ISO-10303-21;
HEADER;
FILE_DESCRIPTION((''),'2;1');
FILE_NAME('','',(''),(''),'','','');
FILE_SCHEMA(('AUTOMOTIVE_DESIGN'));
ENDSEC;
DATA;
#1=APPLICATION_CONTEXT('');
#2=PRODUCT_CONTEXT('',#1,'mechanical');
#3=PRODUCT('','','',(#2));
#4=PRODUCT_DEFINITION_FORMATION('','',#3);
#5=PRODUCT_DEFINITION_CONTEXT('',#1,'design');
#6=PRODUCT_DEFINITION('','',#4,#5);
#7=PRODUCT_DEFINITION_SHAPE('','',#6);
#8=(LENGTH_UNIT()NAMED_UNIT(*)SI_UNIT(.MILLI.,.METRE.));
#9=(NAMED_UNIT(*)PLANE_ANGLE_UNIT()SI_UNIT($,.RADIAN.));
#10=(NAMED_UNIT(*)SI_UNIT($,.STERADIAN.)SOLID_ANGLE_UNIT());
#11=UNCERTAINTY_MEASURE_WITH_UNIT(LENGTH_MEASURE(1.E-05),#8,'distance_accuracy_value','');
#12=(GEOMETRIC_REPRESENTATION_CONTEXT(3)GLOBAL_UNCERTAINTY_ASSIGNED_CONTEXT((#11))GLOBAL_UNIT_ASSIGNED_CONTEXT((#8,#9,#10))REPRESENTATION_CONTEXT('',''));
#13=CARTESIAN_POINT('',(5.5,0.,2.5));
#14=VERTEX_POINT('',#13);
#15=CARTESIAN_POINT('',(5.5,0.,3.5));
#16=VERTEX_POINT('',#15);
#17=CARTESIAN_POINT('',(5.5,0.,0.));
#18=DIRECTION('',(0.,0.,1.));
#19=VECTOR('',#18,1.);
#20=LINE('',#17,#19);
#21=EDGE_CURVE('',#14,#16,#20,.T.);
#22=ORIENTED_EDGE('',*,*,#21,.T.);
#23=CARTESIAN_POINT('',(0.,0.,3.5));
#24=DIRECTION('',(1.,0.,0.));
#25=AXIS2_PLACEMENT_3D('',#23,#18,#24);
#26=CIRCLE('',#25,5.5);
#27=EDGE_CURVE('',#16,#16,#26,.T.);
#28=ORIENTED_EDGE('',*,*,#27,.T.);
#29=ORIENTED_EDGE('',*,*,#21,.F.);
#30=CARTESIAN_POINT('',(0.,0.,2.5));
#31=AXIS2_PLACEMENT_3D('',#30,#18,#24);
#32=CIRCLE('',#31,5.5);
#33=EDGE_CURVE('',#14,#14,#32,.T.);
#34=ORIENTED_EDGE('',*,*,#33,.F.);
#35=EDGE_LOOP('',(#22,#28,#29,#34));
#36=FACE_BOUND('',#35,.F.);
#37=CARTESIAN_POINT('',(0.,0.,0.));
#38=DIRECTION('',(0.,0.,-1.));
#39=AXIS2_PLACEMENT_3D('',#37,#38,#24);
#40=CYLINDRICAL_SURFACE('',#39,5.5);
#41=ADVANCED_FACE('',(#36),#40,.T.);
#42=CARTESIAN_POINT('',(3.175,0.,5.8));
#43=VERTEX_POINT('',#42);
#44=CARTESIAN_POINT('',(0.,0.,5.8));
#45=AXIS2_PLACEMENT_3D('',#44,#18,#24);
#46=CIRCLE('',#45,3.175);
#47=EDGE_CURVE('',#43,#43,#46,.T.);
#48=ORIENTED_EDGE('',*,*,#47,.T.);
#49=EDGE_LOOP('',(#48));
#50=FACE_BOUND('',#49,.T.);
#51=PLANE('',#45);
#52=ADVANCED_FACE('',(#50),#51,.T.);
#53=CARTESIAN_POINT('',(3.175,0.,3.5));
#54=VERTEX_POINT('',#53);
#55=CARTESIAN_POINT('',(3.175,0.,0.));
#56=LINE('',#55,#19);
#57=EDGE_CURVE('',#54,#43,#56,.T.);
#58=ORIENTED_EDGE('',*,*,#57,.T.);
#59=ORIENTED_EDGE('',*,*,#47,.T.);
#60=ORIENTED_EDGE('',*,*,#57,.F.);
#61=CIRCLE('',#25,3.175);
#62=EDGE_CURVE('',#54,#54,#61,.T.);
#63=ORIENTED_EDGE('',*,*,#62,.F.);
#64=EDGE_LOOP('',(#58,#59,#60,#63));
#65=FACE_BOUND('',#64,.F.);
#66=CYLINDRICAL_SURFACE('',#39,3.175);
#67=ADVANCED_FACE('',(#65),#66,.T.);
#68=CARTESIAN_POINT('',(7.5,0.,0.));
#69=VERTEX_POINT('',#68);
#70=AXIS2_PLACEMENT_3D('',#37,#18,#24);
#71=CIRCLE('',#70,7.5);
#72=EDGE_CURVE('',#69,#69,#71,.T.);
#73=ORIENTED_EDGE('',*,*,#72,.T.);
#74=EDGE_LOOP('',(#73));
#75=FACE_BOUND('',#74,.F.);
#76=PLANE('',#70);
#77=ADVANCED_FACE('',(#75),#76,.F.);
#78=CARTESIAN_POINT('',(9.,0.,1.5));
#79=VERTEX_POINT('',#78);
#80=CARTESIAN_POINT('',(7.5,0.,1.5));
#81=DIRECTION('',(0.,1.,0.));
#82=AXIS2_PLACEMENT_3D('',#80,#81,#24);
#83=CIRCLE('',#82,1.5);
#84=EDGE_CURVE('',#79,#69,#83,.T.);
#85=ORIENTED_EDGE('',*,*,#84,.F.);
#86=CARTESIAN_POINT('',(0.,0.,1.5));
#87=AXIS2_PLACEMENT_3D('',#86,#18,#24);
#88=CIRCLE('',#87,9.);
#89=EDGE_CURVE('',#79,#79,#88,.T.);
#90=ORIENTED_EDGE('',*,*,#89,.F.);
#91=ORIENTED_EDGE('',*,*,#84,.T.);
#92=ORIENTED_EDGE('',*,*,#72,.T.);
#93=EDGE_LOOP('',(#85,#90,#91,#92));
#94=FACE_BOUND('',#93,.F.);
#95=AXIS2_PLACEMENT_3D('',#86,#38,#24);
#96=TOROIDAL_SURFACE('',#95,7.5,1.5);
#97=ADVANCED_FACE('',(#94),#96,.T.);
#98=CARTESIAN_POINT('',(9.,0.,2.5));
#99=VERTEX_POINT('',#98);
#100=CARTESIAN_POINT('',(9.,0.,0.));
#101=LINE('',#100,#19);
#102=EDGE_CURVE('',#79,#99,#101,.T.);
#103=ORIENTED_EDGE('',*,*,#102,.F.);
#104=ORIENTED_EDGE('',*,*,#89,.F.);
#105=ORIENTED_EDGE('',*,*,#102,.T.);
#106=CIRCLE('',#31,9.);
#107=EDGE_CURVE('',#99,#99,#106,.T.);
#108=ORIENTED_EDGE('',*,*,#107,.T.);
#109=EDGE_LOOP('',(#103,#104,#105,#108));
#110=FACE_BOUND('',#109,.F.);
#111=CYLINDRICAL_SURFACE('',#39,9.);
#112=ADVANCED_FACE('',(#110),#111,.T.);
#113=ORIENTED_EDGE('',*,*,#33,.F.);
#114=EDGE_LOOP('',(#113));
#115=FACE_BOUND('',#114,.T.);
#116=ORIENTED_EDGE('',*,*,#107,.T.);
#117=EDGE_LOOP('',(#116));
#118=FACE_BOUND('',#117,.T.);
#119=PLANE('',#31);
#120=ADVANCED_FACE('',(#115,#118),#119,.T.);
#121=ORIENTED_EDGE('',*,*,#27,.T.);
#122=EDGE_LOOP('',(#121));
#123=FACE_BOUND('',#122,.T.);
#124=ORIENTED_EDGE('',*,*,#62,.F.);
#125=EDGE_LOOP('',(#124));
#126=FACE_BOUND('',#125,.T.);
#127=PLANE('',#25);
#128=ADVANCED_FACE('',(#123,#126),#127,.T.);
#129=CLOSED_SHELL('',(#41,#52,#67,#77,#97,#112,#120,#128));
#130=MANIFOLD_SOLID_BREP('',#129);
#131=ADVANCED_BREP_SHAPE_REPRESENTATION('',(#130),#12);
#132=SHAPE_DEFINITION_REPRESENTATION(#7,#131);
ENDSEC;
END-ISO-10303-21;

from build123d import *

# Parameters (mm, degrees)
F0_R     = 9
F0_R_2   = 5.5
F1_DEPTH = 2.5
F0_R_3   = 3.175
F2_DEPTH = 3.5
F3_DEPTH = 5.8
F4_R     = 1.5


with BuildPart() as f1:
    # F0 (on Top) → F1 (new body)
    with BuildSketch(Plane.XY):
        Circle(F0_R)
        Circle(F0_R_2, mode=Mode.SUBTRACT)
    extrude(amount=F1_DEPTH)

    # F0 (on Top) → F2 (join, through all)
    with BuildSketch(Plane.XY):
        Circle(F0_R_2)
        Circle(F0_R_3, mode=Mode.SUBTRACT)
    extrude(amount=F2_DEPTH)

    # F0 (on Top) → F3 (join, through all)
    with BuildSketch(Plane.XY):
        Circle(F0_R_3)
    extrude(amount=F3_DEPTH)

    # F4
    f4_edges = [f1.edges().sort_by_distance(p)[0] for p in [
        (-9, 0, 0),
    ]]
    fillet(f4_edges, radius=F4_R)


solid = f1.part
